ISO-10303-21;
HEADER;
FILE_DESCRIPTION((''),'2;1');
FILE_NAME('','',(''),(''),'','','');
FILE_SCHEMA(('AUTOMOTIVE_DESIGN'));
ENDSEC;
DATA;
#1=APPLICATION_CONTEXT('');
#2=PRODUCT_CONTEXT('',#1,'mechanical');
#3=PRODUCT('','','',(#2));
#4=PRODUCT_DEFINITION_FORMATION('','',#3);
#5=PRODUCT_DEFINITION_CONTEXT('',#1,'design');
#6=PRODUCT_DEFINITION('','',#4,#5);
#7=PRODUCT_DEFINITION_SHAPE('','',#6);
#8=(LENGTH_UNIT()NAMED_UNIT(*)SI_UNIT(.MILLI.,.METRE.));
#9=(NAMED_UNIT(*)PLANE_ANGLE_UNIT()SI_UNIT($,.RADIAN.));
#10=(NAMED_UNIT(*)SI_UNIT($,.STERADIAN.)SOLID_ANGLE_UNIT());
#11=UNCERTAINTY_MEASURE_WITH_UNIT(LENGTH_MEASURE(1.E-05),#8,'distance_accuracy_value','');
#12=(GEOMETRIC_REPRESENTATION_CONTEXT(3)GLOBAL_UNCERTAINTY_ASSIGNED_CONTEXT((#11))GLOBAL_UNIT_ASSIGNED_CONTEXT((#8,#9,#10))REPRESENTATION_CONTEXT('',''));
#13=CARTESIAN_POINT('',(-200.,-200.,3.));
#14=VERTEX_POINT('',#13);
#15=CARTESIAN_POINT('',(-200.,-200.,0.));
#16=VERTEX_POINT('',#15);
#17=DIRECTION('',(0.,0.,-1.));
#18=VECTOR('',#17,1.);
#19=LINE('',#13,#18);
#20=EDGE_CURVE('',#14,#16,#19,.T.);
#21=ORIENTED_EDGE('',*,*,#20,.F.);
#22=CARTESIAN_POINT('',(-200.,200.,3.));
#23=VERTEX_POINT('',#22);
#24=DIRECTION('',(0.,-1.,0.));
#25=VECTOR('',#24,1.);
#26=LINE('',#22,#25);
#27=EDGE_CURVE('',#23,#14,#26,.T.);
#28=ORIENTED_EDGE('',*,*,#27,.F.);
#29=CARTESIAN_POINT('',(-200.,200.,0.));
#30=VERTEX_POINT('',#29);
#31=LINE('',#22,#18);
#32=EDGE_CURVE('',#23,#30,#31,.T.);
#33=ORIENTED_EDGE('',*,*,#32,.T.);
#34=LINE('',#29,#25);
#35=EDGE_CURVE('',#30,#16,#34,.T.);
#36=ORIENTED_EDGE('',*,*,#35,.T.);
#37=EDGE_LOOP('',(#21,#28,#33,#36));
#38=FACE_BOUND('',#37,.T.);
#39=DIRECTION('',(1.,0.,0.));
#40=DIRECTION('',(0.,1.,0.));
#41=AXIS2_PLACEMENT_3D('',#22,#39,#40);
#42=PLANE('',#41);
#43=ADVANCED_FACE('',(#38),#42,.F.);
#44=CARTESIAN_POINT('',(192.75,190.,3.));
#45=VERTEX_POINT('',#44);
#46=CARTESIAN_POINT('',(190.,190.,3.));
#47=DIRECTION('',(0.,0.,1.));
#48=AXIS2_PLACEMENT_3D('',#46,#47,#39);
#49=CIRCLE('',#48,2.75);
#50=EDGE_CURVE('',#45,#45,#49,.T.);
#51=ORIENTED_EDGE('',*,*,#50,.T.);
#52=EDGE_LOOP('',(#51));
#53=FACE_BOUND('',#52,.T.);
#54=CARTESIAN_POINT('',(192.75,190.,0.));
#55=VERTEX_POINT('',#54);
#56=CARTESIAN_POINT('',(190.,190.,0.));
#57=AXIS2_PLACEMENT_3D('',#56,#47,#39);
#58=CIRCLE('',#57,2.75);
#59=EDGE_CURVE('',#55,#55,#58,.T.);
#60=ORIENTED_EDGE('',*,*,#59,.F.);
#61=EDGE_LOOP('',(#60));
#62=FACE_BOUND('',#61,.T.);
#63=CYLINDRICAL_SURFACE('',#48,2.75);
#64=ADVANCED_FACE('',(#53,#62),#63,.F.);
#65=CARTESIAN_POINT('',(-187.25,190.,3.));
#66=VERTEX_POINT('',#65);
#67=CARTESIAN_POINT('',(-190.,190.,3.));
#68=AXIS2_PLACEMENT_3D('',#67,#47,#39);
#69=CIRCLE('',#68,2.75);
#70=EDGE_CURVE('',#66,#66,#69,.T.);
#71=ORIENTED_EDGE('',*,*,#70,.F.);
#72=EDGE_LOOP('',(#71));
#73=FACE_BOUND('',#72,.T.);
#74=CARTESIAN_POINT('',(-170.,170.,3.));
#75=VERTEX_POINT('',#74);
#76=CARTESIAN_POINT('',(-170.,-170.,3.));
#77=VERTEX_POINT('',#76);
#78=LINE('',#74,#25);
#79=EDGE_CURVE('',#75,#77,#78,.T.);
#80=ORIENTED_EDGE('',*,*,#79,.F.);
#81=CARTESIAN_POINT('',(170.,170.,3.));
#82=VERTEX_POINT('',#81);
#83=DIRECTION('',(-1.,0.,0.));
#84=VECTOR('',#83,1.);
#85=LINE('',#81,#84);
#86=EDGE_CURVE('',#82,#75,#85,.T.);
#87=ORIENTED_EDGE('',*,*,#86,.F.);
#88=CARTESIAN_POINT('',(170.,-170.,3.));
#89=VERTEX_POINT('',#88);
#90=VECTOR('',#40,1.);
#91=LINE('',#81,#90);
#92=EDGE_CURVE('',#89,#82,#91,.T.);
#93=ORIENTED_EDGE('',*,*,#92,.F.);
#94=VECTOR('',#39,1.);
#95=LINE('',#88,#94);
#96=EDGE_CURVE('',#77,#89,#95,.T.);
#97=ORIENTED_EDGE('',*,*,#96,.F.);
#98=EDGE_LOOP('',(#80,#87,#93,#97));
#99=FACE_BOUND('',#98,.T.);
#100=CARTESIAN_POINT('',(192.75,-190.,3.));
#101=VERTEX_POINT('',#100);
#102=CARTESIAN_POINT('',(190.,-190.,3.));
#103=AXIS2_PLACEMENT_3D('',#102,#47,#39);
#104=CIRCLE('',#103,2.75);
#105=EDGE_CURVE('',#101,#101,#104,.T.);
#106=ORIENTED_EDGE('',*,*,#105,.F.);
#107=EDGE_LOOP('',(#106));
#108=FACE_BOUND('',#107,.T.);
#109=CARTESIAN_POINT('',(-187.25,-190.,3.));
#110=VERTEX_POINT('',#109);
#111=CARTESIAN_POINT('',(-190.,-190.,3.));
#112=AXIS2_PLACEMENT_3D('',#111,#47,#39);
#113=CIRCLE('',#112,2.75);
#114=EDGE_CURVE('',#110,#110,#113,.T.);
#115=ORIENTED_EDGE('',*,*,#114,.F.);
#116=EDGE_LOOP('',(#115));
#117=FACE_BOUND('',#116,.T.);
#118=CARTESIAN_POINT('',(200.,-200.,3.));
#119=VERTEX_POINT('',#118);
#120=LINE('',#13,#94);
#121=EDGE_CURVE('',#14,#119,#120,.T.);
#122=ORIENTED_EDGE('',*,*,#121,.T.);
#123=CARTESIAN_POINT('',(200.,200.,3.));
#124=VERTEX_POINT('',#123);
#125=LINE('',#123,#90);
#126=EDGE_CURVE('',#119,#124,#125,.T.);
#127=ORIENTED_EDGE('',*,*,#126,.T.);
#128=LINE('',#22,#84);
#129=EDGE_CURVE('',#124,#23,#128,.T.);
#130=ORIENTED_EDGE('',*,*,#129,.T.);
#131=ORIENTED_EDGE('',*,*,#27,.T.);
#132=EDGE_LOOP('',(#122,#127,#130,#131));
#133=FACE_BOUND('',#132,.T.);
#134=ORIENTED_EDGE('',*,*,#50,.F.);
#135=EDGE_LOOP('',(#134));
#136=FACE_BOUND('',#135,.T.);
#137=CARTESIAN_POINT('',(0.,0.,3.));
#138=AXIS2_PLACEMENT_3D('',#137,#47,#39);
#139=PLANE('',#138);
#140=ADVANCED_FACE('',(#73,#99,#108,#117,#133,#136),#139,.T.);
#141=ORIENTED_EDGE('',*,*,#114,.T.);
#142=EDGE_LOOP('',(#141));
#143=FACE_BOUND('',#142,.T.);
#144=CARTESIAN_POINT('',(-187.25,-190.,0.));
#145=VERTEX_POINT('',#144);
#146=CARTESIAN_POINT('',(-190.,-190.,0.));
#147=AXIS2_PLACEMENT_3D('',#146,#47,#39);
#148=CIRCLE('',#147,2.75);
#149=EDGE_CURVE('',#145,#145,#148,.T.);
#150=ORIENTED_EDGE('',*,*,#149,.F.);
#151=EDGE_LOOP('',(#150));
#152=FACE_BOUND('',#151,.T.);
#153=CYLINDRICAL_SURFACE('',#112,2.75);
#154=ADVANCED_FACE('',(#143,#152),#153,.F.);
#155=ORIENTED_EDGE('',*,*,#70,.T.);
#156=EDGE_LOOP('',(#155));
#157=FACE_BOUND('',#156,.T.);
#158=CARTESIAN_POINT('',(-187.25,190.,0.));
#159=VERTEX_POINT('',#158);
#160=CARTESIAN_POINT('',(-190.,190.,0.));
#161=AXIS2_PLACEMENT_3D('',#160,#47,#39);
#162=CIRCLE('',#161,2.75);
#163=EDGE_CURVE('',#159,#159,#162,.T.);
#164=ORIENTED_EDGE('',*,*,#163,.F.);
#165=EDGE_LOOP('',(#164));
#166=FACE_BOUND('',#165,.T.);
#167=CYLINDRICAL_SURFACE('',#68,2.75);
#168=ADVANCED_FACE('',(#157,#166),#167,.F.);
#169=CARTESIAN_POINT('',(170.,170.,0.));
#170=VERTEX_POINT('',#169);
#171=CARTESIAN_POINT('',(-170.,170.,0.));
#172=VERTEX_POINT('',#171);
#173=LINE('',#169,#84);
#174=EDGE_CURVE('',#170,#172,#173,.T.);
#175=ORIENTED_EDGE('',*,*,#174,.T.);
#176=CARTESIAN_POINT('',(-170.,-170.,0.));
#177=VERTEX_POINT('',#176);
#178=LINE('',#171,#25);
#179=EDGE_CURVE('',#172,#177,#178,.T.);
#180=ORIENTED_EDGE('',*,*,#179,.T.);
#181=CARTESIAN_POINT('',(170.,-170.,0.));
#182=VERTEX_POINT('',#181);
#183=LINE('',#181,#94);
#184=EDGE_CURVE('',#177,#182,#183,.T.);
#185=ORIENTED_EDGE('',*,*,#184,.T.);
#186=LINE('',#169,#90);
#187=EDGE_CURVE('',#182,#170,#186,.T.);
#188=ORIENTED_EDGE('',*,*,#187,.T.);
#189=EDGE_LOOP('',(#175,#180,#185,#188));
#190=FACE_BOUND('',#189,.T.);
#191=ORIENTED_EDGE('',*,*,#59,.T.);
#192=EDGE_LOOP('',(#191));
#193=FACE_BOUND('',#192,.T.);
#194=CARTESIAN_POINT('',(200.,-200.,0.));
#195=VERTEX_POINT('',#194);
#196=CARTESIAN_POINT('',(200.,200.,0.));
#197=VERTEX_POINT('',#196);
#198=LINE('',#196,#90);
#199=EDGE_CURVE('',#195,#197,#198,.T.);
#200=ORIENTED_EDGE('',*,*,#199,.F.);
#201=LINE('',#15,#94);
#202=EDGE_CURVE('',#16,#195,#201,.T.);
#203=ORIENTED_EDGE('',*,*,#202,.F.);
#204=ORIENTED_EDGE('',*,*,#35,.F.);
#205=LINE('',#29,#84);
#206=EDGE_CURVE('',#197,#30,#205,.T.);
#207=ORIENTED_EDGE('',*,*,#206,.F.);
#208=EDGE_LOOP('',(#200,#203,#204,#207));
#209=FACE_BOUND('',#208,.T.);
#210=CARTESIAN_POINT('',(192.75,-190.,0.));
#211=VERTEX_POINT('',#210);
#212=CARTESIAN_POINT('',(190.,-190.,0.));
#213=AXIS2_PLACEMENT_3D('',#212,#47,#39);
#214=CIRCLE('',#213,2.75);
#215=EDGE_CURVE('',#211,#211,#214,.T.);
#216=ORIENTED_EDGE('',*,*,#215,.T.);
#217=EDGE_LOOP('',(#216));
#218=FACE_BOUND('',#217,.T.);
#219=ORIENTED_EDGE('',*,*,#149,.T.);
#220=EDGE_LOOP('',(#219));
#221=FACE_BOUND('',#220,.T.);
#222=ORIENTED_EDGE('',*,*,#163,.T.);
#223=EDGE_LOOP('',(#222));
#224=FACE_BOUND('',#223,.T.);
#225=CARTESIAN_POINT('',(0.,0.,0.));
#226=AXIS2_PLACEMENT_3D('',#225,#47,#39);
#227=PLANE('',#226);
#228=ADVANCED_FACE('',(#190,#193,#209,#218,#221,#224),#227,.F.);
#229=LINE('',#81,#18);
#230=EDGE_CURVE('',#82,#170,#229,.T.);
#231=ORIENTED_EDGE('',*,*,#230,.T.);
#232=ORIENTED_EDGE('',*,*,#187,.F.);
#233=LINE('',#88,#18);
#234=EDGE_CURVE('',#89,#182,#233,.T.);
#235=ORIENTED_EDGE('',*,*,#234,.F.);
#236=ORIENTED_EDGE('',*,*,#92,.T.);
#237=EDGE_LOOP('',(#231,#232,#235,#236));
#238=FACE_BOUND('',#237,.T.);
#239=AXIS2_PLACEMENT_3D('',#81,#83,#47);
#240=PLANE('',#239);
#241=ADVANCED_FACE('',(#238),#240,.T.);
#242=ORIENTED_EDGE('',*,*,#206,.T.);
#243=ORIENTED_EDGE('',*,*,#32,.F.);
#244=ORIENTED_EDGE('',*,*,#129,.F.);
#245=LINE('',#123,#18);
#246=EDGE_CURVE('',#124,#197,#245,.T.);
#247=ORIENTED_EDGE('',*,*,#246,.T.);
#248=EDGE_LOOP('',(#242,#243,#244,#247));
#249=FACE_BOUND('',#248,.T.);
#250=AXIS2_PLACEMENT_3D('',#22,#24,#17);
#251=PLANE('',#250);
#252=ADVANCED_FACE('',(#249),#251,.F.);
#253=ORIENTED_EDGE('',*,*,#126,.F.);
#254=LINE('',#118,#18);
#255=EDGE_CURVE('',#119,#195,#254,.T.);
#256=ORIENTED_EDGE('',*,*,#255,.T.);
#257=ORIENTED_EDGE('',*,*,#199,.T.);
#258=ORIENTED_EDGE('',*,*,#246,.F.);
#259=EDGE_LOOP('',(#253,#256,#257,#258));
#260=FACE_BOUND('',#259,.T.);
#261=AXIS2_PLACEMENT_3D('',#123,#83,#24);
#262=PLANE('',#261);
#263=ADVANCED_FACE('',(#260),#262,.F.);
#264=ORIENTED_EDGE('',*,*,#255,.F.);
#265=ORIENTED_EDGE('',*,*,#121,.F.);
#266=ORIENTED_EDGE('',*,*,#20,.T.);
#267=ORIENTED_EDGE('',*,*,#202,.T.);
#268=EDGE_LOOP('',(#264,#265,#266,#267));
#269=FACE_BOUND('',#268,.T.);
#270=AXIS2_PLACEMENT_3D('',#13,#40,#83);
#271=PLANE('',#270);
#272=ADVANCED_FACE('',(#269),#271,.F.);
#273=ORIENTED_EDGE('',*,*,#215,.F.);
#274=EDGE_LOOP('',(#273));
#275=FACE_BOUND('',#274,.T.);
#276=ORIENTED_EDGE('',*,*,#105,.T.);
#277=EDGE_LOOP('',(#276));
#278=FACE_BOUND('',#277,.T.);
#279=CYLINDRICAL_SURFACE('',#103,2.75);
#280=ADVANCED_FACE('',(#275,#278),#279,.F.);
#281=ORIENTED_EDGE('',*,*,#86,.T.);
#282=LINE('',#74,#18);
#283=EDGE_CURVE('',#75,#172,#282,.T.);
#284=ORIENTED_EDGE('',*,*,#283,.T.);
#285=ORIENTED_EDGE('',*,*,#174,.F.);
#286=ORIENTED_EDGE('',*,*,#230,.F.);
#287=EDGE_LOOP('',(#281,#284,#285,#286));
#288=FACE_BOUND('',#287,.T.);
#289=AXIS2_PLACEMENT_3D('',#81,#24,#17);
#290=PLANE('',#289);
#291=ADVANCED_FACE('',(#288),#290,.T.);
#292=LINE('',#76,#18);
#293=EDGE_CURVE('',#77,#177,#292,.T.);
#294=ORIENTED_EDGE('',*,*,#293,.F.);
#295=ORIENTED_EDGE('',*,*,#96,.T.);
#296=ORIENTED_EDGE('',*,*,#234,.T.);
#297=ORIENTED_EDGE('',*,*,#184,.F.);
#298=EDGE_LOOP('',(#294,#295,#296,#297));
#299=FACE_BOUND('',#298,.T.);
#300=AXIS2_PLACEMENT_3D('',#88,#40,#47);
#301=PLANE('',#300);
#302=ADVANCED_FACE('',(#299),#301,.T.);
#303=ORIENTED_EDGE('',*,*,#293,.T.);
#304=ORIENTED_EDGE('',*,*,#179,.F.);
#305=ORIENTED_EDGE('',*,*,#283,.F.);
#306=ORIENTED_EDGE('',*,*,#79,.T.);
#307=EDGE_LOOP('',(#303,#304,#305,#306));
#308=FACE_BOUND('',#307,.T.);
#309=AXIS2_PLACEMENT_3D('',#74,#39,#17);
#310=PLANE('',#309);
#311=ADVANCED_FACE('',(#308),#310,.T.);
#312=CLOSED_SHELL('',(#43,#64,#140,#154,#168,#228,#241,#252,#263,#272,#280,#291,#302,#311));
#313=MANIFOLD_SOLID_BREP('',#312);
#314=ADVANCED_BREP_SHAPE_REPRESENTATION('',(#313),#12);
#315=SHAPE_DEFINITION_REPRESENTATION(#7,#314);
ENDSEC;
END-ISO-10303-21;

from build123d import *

# Parameters (mm, degrees)
ESQUISSE1_W        = 400
ESQUISSE1_H        = 400
ESQUISSE1_W_2      = 340
ESQUISSE1_H_2      = 340
BOSS_EXTRU_1_DEPTH = 3
D_GAGEMENT_M51_D   = 5.5


with BuildPart() as part:
    # Esquisse1 → Boss.-Extru.1 (new body)
    with BuildSketch(Plane.XY):
        Rectangle(ESQUISSE1_W, ESQUISSE1_H)
        Rectangle(ESQUISSE1_W_2, ESQUISSE1_H_2, mode=Mode.SUBTRACT)
    extrude(amount=BOSS_EXTRU_1_DEPTH)

    # Dégagement M51 (through all)
    with Locations(Plane.XY.offset(3)):
        with Locations((-190, -190), (-190, 190), (190, 190), (190, -190)):
            Hole(D_GAGEMENT_M51_D / 2)


solid = part.part
